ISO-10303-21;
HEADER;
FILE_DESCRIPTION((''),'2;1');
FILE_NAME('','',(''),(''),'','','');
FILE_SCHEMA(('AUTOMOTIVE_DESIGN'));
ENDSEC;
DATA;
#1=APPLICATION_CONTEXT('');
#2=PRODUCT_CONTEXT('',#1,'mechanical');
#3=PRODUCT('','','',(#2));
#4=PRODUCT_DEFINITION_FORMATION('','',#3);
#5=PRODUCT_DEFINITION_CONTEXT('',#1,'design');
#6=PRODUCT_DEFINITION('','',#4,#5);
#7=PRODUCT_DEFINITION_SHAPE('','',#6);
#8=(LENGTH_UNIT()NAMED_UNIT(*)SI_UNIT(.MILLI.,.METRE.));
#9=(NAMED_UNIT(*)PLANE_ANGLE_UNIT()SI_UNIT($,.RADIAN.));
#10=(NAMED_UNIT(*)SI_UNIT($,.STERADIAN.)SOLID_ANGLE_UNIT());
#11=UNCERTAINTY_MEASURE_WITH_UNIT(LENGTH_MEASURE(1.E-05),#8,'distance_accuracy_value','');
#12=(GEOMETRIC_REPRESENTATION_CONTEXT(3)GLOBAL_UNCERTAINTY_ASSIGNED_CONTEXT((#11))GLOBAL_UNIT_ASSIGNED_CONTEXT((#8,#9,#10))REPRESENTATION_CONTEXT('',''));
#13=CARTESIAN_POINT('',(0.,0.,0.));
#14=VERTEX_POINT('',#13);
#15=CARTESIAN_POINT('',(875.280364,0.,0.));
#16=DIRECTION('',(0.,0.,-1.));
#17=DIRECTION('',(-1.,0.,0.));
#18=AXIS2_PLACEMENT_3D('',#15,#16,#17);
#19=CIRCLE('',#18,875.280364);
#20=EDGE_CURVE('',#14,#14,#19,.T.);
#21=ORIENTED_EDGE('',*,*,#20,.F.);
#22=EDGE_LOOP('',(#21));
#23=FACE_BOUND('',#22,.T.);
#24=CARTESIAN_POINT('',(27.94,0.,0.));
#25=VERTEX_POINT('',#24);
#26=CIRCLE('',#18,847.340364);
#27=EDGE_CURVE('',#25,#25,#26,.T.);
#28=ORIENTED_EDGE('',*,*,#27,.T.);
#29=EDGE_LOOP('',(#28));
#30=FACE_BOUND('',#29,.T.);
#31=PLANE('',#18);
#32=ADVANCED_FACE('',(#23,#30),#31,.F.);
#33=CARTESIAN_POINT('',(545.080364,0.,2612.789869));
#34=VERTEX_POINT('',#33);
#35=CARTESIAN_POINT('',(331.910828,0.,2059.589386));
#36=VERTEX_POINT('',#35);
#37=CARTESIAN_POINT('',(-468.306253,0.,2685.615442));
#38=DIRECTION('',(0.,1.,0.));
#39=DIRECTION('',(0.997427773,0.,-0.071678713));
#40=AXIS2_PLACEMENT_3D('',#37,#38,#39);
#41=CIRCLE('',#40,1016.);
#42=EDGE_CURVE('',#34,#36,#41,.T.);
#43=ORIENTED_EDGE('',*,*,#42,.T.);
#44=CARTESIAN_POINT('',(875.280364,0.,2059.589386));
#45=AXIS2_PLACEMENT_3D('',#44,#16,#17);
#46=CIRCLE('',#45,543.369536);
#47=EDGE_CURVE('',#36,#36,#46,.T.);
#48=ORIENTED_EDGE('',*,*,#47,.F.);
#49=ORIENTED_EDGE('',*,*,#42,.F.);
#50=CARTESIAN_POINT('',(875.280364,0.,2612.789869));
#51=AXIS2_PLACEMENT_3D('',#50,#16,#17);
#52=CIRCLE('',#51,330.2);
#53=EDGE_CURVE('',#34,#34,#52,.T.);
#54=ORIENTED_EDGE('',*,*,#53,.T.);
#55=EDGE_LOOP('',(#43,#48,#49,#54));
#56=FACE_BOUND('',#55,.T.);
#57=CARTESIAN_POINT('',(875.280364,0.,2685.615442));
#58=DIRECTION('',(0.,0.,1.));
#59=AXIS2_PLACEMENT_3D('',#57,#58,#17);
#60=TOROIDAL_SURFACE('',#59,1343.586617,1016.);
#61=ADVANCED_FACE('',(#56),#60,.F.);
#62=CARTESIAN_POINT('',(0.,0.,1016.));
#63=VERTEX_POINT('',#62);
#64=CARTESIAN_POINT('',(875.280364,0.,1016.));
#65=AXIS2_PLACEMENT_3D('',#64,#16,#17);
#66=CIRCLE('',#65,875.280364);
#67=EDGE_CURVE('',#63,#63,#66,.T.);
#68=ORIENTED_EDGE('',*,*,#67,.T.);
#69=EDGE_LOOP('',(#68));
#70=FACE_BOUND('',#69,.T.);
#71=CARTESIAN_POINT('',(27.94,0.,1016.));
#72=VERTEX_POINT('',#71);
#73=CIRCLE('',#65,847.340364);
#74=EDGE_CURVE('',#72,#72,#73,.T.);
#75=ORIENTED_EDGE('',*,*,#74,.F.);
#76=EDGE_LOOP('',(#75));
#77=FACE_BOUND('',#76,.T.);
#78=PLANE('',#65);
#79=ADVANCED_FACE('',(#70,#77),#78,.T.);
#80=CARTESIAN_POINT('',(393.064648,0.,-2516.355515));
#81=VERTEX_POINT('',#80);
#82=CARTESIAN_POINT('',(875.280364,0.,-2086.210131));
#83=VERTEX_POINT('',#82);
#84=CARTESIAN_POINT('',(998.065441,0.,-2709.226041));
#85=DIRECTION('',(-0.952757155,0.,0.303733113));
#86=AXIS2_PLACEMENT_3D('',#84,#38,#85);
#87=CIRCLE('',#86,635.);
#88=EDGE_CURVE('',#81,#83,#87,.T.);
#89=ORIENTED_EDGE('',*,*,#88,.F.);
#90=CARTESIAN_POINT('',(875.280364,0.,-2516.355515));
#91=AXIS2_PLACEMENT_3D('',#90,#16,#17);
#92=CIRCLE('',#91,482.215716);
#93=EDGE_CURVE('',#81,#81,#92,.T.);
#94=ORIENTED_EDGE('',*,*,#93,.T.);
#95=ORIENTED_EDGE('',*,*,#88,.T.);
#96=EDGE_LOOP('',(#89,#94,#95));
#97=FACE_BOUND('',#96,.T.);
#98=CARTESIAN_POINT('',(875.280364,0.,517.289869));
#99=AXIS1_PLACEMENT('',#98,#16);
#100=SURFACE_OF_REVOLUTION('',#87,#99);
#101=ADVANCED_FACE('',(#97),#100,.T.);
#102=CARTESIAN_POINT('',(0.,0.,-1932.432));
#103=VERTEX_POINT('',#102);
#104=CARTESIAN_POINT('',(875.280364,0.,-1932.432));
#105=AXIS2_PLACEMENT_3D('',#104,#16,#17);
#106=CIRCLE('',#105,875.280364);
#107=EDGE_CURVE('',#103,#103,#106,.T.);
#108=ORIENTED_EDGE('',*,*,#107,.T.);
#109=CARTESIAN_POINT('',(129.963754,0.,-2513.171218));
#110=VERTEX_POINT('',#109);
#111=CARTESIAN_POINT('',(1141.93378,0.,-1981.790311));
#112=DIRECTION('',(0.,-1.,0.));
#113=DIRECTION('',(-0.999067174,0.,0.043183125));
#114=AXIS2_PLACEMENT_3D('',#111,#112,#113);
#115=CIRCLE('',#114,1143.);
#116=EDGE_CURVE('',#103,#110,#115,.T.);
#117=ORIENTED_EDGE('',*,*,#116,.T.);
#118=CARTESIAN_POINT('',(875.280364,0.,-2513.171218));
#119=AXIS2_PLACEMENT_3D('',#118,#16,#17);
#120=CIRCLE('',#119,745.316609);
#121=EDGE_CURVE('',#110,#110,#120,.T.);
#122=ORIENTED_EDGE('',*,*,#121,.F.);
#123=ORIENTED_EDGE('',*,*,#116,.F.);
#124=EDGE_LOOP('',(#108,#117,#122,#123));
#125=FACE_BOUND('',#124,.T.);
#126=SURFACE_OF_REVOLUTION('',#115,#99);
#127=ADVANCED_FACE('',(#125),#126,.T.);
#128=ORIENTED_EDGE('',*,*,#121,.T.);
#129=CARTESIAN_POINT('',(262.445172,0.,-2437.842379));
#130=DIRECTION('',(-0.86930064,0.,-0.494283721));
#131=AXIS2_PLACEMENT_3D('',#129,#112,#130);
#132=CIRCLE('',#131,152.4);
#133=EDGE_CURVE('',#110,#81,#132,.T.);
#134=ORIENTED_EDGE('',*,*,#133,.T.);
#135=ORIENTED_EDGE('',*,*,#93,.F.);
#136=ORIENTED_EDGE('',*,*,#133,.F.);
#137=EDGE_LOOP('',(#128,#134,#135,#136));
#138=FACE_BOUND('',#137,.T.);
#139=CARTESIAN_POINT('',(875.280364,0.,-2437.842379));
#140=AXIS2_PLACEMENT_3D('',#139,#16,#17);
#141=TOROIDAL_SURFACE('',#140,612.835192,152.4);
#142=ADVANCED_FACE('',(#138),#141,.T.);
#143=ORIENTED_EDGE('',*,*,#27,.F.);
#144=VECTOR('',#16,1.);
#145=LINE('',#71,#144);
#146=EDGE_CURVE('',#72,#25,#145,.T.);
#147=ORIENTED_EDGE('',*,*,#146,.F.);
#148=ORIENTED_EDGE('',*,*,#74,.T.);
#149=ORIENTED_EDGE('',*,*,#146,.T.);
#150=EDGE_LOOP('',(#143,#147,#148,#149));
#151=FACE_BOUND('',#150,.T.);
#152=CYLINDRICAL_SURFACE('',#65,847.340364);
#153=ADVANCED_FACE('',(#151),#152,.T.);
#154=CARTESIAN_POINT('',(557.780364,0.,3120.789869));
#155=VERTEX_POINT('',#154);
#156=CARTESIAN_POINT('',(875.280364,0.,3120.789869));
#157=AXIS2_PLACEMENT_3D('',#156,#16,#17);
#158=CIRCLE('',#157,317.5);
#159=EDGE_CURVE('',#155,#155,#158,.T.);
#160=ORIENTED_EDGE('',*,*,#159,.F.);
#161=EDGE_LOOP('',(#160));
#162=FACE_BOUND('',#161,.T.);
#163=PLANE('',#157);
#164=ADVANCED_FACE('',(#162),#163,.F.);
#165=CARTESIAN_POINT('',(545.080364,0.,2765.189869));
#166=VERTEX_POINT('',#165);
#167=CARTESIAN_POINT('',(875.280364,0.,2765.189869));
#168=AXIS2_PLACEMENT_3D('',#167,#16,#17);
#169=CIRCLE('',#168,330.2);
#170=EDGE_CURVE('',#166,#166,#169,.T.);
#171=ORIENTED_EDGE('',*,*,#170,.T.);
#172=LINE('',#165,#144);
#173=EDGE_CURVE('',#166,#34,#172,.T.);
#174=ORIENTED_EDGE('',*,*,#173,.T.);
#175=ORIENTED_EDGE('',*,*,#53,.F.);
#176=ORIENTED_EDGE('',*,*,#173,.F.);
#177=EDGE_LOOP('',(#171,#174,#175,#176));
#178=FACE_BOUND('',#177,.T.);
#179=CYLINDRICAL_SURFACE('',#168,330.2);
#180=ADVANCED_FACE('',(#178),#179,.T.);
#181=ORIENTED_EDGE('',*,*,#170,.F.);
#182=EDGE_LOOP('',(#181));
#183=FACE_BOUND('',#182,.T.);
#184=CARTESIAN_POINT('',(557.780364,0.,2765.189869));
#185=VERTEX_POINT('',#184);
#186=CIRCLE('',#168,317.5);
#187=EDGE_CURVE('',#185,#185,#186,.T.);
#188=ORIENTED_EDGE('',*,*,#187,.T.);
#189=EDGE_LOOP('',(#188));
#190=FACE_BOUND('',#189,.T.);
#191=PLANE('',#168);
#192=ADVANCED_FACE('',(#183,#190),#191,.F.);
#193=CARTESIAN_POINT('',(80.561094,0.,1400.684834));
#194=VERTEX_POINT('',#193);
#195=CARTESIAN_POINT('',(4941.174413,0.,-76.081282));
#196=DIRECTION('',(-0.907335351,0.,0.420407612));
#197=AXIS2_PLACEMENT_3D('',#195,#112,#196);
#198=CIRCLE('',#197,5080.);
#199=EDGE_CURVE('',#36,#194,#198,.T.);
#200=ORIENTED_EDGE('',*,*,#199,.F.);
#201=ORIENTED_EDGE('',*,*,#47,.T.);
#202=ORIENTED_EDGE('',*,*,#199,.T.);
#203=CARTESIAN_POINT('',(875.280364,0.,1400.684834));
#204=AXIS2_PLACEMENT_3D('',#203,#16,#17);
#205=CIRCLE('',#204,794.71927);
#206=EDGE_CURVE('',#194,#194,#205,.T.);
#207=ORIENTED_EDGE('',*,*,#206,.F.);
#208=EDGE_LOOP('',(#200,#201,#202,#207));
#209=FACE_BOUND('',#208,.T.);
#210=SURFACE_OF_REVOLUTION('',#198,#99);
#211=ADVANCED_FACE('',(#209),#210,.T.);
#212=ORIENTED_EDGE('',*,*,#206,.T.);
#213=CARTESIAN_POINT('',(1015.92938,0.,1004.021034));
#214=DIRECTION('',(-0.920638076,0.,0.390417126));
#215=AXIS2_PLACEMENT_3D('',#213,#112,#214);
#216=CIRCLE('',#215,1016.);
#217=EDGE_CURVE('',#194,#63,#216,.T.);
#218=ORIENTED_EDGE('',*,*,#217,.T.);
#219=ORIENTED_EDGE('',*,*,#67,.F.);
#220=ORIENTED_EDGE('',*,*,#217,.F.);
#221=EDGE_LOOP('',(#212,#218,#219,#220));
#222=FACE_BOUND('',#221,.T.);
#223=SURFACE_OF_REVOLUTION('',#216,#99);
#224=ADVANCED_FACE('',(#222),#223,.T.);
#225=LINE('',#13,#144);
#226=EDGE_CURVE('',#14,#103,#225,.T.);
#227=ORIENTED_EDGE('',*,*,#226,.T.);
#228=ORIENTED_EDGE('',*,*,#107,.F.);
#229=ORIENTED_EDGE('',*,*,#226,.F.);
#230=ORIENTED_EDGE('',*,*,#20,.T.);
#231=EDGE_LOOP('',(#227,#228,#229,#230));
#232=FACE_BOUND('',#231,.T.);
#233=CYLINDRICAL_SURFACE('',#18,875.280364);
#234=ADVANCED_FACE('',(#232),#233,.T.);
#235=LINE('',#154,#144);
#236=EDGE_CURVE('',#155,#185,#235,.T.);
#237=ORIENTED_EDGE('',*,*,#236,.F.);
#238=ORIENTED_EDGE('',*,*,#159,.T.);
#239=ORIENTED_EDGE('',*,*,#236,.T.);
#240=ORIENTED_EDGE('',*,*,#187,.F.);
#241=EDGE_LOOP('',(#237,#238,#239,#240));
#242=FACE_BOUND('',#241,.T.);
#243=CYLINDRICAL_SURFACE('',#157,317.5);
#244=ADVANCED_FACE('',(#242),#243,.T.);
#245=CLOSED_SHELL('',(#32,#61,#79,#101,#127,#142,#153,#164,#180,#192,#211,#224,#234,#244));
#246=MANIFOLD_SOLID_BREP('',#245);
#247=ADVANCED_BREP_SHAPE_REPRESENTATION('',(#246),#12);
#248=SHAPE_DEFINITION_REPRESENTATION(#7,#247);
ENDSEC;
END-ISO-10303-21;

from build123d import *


with BuildPart() as f1:
    # F0 (on Front) → F1 (revolve)
    with BuildSketch(Plane.XZ):
        with BuildLine():
            Line((27.94, 0), (0, 0))
            Line((0, 0), (0, -1932.432))
            ThreePointArc((0, -1932.432), (26.5235814991, -2231.4081992011), (129.9637542715, -2513.1712179261))
            ThreePointArc((129.9637542715, -2513.1712179261), (260.6008175566, -2590.2312181989), (393.064647913, -2516.3555145264))
            ThreePointArc((393.064647913, -2516.3555145264), (575.3665753234, -2235.3582656075), (875.2803637505, -2086.2101306915))
            Line((875.2803637505, -2086.2101306915), (875.2803637505, 3120.7898693085))
            Line((875.2803637505, 3120.7898693085), (557.7803637505, 3120.7898693085))
            Line((557.7803637505, 3120.7898693085), (557.7803637505, 2765.1898693085))
            Line((557.7803637505, 2765.1898693085), (545.0803637505, 2765.1898693085))
            Line((545.0803637505, 2765.1898693085), (545.0803637505, 2612.7898693085))
            ThreePointArc((545.0803637505, 2612.7898693085), (479.7429476859, 2320.2954283546), (331.9108282475, 2059.5893862512))
            ThreePointArc((331.9108282475, 2059.5893862512), (194.7883198217, 1734.5039966945), (80.561093986, 1400.6848335266))
            ThreePointArc((80.561093986, 1400.6848335266), (21.5017804993, 1212.2750853808), (0, 1016))
            Line((0, 1016), (27.94, 1016))
            Line((27.94, 1016), (27.94, 0))
        make_face()
    revolve(axis=Axis((875.2803637505, 0, 517.2898693085), (0, 0, -1)))


solid = f1.part
